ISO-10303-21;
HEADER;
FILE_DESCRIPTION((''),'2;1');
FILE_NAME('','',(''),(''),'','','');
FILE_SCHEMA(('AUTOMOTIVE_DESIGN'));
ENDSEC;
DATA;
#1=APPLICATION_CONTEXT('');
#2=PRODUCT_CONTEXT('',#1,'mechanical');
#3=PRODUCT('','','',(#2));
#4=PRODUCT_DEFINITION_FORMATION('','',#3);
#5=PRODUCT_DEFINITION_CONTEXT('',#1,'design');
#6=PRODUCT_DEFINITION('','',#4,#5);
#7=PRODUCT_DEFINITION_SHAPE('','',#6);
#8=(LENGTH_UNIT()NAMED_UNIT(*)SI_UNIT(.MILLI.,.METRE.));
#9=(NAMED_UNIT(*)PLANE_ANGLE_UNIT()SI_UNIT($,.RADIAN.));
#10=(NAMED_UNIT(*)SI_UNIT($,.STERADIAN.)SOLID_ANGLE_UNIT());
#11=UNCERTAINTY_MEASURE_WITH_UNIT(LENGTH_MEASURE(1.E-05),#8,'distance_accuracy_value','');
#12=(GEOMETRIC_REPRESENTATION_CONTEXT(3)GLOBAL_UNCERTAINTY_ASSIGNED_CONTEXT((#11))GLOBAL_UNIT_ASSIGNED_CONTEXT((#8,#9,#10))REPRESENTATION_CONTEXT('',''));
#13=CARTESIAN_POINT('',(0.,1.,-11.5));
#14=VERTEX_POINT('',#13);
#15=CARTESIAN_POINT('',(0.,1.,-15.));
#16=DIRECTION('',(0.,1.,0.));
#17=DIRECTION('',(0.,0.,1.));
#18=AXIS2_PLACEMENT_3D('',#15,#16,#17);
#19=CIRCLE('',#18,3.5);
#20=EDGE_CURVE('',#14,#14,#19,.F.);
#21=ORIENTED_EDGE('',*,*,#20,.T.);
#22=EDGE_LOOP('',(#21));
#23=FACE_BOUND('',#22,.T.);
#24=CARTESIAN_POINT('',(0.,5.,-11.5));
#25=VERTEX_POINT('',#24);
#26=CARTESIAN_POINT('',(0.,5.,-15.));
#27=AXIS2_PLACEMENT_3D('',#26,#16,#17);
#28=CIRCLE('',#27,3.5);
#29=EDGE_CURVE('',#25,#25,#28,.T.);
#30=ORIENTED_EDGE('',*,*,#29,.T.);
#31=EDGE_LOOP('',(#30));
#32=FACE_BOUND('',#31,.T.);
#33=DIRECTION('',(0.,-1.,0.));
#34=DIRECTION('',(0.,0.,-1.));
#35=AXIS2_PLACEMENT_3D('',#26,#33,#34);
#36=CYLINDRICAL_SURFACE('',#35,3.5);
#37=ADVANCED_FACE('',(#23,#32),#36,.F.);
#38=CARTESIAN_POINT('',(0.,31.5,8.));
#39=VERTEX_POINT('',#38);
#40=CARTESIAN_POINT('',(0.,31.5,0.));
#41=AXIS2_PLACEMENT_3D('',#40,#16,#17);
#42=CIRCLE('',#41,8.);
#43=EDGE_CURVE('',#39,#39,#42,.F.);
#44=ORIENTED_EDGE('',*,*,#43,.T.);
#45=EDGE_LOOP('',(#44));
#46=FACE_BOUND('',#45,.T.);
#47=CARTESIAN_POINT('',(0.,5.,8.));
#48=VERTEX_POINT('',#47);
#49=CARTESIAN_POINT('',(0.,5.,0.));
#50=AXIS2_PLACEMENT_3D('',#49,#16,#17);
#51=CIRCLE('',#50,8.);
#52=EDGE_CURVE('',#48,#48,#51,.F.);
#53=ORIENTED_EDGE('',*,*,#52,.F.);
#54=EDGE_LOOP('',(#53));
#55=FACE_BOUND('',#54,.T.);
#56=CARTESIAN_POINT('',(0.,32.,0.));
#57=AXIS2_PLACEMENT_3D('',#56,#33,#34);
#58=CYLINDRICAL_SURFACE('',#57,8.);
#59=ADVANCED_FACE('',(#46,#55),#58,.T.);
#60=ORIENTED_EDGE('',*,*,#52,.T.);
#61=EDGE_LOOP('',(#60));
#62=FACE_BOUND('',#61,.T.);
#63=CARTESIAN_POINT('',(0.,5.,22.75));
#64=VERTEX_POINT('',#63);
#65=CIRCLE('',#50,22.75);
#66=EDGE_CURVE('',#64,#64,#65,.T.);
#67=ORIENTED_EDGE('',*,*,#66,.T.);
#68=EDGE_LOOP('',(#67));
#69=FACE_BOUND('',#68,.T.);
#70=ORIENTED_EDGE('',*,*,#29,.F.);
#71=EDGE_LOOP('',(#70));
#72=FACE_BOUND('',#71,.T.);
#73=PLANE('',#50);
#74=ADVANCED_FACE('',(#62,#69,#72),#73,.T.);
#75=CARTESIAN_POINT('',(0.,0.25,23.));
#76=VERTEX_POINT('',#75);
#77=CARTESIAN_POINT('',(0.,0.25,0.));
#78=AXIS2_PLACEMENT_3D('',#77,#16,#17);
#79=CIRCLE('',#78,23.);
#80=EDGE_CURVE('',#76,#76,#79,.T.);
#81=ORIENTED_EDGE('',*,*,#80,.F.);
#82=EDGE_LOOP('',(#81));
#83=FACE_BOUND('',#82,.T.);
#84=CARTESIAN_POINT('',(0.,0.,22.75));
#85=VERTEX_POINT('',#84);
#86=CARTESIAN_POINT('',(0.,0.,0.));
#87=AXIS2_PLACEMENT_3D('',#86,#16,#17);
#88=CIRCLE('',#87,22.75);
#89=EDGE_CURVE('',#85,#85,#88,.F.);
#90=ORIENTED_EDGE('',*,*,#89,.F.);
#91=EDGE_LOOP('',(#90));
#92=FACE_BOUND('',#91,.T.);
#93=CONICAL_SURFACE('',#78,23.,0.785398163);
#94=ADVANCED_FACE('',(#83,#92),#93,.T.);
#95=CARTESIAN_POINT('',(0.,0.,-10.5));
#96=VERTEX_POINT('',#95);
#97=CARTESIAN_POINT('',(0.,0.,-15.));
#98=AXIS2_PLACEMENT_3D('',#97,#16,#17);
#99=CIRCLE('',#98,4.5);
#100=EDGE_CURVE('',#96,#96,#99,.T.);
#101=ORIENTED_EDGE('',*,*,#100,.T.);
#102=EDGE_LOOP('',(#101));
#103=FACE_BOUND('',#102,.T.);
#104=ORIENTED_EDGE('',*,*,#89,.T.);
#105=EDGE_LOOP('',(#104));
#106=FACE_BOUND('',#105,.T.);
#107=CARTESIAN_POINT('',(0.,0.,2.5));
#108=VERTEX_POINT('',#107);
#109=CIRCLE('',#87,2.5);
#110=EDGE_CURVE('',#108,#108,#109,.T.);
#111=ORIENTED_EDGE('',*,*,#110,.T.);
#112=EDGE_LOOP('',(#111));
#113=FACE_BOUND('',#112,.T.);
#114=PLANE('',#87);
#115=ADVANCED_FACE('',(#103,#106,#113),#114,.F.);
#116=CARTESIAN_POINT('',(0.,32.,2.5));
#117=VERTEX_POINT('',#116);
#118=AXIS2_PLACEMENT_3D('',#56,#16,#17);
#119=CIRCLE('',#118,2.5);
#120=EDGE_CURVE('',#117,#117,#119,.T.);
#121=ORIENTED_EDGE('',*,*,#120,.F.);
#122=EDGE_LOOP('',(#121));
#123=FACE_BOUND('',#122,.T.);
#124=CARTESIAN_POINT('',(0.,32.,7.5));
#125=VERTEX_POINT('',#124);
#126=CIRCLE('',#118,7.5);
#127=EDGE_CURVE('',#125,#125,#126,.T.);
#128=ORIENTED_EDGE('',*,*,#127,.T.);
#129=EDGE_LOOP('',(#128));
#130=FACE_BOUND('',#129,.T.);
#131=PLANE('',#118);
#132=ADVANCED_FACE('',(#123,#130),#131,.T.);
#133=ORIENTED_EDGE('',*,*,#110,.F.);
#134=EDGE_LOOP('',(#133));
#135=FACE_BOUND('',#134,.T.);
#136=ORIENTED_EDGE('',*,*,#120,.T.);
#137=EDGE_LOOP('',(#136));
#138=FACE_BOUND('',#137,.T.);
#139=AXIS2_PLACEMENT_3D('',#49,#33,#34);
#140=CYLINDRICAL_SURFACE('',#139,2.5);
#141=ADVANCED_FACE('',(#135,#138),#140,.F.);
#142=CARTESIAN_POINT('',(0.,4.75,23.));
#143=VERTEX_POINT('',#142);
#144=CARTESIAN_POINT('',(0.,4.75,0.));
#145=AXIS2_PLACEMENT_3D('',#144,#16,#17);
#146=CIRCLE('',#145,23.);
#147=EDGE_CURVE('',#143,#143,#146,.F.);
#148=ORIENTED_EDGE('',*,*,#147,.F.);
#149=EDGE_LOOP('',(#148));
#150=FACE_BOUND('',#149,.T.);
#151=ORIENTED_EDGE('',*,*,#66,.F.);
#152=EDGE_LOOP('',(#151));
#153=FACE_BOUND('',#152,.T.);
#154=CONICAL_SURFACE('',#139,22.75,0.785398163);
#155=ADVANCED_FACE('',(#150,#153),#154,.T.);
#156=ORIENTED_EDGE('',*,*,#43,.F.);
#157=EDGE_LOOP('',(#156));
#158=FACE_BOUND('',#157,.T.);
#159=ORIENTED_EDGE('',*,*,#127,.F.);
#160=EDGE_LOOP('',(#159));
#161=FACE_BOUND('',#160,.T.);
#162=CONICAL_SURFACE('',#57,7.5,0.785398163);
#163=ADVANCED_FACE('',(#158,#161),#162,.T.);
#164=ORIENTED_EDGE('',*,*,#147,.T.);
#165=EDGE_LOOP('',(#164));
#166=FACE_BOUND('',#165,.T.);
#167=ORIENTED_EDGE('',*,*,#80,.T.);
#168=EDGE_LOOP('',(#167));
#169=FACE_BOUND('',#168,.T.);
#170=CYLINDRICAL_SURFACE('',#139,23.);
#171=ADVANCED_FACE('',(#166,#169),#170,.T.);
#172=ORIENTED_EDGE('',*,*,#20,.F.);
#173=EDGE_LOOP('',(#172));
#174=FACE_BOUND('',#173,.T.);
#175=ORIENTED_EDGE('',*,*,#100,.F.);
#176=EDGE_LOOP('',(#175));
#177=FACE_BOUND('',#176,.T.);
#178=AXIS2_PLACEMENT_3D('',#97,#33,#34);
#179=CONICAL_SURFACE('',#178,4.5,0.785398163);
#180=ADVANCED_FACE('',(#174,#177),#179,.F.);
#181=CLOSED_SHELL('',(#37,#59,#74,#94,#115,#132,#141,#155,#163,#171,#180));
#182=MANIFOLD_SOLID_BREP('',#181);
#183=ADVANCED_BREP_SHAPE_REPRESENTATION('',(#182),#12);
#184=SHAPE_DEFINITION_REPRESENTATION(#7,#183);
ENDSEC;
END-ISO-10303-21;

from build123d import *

# Parameters (mm, degrees)
SKETCH1_R           = 23
SKETCH1_R_2         = 3.5
SKETCH1_R_3         = 2.5
BOSS_EXTRUDE1_DEPTH = 5
SKETCH1_3_R         = 8
SKETCH1_3_R_2       = 2.5
BOSS_EXTRUDE2_DEPTH = 32
CHAMFER1_SIZE       = 0.5
CHAMFER2_SIZE       = 0.25
CHAMFER3_SIZE       = 1


with BuildPart() as part:
    # Sketch1 → Boss-Extrude1 (new body)
    with BuildSketch(Plane(origin=(0, 0, 0), x_dir=(1, 0, 0), z_dir=(0, 1, 0))):
        Circle(SKETCH1_R)
        with Locations((0, 15)):
            Circle(SKETCH1_R_2, mode=Mode.SUBTRACT)
        Circle(SKETCH1_R_3, mode=Mode.SUBTRACT)
    extrude(amount=BOSS_EXTRUDE1_DEPTH)

    # Sketch1<3> → Boss-Extrude2 (add)
    with BuildSketch(Plane(origin=(0, 0, 0), x_dir=(1, 0, 0), z_dir=(0, 1, 0))):
        Circle(SKETCH1_3_R)
        Circle(SKETCH1_3_R_2, mode=Mode.SUBTRACT)
    extrude(amount=BOSS_EXTRUDE2_DEPTH)

    # Chamfer1
    chamfer1_edges = [part.edges().sort_by_distance(p)[0] for p in [
        (-8, 32, 0),
    ]]
    chamfer(chamfer1_edges, length=CHAMFER1_SIZE)

    # Chamfer2
    chamfer2_edges = [part.edges().sort_by_distance(p)[0] for p in [
        (-23, 0, 0),
        (-23, 5, 0),
    ]]
    chamfer(chamfer2_edges, length=CHAMFER2_SIZE)

    # Chamfer3
    chamfer3_edges = [part.edges().sort_by_distance(p)[0] for p in [
        (-3.5, 0, -15),
    ]]
    chamfer(chamfer3_edges, length=CHAMFER3_SIZE)


solid = part.part
